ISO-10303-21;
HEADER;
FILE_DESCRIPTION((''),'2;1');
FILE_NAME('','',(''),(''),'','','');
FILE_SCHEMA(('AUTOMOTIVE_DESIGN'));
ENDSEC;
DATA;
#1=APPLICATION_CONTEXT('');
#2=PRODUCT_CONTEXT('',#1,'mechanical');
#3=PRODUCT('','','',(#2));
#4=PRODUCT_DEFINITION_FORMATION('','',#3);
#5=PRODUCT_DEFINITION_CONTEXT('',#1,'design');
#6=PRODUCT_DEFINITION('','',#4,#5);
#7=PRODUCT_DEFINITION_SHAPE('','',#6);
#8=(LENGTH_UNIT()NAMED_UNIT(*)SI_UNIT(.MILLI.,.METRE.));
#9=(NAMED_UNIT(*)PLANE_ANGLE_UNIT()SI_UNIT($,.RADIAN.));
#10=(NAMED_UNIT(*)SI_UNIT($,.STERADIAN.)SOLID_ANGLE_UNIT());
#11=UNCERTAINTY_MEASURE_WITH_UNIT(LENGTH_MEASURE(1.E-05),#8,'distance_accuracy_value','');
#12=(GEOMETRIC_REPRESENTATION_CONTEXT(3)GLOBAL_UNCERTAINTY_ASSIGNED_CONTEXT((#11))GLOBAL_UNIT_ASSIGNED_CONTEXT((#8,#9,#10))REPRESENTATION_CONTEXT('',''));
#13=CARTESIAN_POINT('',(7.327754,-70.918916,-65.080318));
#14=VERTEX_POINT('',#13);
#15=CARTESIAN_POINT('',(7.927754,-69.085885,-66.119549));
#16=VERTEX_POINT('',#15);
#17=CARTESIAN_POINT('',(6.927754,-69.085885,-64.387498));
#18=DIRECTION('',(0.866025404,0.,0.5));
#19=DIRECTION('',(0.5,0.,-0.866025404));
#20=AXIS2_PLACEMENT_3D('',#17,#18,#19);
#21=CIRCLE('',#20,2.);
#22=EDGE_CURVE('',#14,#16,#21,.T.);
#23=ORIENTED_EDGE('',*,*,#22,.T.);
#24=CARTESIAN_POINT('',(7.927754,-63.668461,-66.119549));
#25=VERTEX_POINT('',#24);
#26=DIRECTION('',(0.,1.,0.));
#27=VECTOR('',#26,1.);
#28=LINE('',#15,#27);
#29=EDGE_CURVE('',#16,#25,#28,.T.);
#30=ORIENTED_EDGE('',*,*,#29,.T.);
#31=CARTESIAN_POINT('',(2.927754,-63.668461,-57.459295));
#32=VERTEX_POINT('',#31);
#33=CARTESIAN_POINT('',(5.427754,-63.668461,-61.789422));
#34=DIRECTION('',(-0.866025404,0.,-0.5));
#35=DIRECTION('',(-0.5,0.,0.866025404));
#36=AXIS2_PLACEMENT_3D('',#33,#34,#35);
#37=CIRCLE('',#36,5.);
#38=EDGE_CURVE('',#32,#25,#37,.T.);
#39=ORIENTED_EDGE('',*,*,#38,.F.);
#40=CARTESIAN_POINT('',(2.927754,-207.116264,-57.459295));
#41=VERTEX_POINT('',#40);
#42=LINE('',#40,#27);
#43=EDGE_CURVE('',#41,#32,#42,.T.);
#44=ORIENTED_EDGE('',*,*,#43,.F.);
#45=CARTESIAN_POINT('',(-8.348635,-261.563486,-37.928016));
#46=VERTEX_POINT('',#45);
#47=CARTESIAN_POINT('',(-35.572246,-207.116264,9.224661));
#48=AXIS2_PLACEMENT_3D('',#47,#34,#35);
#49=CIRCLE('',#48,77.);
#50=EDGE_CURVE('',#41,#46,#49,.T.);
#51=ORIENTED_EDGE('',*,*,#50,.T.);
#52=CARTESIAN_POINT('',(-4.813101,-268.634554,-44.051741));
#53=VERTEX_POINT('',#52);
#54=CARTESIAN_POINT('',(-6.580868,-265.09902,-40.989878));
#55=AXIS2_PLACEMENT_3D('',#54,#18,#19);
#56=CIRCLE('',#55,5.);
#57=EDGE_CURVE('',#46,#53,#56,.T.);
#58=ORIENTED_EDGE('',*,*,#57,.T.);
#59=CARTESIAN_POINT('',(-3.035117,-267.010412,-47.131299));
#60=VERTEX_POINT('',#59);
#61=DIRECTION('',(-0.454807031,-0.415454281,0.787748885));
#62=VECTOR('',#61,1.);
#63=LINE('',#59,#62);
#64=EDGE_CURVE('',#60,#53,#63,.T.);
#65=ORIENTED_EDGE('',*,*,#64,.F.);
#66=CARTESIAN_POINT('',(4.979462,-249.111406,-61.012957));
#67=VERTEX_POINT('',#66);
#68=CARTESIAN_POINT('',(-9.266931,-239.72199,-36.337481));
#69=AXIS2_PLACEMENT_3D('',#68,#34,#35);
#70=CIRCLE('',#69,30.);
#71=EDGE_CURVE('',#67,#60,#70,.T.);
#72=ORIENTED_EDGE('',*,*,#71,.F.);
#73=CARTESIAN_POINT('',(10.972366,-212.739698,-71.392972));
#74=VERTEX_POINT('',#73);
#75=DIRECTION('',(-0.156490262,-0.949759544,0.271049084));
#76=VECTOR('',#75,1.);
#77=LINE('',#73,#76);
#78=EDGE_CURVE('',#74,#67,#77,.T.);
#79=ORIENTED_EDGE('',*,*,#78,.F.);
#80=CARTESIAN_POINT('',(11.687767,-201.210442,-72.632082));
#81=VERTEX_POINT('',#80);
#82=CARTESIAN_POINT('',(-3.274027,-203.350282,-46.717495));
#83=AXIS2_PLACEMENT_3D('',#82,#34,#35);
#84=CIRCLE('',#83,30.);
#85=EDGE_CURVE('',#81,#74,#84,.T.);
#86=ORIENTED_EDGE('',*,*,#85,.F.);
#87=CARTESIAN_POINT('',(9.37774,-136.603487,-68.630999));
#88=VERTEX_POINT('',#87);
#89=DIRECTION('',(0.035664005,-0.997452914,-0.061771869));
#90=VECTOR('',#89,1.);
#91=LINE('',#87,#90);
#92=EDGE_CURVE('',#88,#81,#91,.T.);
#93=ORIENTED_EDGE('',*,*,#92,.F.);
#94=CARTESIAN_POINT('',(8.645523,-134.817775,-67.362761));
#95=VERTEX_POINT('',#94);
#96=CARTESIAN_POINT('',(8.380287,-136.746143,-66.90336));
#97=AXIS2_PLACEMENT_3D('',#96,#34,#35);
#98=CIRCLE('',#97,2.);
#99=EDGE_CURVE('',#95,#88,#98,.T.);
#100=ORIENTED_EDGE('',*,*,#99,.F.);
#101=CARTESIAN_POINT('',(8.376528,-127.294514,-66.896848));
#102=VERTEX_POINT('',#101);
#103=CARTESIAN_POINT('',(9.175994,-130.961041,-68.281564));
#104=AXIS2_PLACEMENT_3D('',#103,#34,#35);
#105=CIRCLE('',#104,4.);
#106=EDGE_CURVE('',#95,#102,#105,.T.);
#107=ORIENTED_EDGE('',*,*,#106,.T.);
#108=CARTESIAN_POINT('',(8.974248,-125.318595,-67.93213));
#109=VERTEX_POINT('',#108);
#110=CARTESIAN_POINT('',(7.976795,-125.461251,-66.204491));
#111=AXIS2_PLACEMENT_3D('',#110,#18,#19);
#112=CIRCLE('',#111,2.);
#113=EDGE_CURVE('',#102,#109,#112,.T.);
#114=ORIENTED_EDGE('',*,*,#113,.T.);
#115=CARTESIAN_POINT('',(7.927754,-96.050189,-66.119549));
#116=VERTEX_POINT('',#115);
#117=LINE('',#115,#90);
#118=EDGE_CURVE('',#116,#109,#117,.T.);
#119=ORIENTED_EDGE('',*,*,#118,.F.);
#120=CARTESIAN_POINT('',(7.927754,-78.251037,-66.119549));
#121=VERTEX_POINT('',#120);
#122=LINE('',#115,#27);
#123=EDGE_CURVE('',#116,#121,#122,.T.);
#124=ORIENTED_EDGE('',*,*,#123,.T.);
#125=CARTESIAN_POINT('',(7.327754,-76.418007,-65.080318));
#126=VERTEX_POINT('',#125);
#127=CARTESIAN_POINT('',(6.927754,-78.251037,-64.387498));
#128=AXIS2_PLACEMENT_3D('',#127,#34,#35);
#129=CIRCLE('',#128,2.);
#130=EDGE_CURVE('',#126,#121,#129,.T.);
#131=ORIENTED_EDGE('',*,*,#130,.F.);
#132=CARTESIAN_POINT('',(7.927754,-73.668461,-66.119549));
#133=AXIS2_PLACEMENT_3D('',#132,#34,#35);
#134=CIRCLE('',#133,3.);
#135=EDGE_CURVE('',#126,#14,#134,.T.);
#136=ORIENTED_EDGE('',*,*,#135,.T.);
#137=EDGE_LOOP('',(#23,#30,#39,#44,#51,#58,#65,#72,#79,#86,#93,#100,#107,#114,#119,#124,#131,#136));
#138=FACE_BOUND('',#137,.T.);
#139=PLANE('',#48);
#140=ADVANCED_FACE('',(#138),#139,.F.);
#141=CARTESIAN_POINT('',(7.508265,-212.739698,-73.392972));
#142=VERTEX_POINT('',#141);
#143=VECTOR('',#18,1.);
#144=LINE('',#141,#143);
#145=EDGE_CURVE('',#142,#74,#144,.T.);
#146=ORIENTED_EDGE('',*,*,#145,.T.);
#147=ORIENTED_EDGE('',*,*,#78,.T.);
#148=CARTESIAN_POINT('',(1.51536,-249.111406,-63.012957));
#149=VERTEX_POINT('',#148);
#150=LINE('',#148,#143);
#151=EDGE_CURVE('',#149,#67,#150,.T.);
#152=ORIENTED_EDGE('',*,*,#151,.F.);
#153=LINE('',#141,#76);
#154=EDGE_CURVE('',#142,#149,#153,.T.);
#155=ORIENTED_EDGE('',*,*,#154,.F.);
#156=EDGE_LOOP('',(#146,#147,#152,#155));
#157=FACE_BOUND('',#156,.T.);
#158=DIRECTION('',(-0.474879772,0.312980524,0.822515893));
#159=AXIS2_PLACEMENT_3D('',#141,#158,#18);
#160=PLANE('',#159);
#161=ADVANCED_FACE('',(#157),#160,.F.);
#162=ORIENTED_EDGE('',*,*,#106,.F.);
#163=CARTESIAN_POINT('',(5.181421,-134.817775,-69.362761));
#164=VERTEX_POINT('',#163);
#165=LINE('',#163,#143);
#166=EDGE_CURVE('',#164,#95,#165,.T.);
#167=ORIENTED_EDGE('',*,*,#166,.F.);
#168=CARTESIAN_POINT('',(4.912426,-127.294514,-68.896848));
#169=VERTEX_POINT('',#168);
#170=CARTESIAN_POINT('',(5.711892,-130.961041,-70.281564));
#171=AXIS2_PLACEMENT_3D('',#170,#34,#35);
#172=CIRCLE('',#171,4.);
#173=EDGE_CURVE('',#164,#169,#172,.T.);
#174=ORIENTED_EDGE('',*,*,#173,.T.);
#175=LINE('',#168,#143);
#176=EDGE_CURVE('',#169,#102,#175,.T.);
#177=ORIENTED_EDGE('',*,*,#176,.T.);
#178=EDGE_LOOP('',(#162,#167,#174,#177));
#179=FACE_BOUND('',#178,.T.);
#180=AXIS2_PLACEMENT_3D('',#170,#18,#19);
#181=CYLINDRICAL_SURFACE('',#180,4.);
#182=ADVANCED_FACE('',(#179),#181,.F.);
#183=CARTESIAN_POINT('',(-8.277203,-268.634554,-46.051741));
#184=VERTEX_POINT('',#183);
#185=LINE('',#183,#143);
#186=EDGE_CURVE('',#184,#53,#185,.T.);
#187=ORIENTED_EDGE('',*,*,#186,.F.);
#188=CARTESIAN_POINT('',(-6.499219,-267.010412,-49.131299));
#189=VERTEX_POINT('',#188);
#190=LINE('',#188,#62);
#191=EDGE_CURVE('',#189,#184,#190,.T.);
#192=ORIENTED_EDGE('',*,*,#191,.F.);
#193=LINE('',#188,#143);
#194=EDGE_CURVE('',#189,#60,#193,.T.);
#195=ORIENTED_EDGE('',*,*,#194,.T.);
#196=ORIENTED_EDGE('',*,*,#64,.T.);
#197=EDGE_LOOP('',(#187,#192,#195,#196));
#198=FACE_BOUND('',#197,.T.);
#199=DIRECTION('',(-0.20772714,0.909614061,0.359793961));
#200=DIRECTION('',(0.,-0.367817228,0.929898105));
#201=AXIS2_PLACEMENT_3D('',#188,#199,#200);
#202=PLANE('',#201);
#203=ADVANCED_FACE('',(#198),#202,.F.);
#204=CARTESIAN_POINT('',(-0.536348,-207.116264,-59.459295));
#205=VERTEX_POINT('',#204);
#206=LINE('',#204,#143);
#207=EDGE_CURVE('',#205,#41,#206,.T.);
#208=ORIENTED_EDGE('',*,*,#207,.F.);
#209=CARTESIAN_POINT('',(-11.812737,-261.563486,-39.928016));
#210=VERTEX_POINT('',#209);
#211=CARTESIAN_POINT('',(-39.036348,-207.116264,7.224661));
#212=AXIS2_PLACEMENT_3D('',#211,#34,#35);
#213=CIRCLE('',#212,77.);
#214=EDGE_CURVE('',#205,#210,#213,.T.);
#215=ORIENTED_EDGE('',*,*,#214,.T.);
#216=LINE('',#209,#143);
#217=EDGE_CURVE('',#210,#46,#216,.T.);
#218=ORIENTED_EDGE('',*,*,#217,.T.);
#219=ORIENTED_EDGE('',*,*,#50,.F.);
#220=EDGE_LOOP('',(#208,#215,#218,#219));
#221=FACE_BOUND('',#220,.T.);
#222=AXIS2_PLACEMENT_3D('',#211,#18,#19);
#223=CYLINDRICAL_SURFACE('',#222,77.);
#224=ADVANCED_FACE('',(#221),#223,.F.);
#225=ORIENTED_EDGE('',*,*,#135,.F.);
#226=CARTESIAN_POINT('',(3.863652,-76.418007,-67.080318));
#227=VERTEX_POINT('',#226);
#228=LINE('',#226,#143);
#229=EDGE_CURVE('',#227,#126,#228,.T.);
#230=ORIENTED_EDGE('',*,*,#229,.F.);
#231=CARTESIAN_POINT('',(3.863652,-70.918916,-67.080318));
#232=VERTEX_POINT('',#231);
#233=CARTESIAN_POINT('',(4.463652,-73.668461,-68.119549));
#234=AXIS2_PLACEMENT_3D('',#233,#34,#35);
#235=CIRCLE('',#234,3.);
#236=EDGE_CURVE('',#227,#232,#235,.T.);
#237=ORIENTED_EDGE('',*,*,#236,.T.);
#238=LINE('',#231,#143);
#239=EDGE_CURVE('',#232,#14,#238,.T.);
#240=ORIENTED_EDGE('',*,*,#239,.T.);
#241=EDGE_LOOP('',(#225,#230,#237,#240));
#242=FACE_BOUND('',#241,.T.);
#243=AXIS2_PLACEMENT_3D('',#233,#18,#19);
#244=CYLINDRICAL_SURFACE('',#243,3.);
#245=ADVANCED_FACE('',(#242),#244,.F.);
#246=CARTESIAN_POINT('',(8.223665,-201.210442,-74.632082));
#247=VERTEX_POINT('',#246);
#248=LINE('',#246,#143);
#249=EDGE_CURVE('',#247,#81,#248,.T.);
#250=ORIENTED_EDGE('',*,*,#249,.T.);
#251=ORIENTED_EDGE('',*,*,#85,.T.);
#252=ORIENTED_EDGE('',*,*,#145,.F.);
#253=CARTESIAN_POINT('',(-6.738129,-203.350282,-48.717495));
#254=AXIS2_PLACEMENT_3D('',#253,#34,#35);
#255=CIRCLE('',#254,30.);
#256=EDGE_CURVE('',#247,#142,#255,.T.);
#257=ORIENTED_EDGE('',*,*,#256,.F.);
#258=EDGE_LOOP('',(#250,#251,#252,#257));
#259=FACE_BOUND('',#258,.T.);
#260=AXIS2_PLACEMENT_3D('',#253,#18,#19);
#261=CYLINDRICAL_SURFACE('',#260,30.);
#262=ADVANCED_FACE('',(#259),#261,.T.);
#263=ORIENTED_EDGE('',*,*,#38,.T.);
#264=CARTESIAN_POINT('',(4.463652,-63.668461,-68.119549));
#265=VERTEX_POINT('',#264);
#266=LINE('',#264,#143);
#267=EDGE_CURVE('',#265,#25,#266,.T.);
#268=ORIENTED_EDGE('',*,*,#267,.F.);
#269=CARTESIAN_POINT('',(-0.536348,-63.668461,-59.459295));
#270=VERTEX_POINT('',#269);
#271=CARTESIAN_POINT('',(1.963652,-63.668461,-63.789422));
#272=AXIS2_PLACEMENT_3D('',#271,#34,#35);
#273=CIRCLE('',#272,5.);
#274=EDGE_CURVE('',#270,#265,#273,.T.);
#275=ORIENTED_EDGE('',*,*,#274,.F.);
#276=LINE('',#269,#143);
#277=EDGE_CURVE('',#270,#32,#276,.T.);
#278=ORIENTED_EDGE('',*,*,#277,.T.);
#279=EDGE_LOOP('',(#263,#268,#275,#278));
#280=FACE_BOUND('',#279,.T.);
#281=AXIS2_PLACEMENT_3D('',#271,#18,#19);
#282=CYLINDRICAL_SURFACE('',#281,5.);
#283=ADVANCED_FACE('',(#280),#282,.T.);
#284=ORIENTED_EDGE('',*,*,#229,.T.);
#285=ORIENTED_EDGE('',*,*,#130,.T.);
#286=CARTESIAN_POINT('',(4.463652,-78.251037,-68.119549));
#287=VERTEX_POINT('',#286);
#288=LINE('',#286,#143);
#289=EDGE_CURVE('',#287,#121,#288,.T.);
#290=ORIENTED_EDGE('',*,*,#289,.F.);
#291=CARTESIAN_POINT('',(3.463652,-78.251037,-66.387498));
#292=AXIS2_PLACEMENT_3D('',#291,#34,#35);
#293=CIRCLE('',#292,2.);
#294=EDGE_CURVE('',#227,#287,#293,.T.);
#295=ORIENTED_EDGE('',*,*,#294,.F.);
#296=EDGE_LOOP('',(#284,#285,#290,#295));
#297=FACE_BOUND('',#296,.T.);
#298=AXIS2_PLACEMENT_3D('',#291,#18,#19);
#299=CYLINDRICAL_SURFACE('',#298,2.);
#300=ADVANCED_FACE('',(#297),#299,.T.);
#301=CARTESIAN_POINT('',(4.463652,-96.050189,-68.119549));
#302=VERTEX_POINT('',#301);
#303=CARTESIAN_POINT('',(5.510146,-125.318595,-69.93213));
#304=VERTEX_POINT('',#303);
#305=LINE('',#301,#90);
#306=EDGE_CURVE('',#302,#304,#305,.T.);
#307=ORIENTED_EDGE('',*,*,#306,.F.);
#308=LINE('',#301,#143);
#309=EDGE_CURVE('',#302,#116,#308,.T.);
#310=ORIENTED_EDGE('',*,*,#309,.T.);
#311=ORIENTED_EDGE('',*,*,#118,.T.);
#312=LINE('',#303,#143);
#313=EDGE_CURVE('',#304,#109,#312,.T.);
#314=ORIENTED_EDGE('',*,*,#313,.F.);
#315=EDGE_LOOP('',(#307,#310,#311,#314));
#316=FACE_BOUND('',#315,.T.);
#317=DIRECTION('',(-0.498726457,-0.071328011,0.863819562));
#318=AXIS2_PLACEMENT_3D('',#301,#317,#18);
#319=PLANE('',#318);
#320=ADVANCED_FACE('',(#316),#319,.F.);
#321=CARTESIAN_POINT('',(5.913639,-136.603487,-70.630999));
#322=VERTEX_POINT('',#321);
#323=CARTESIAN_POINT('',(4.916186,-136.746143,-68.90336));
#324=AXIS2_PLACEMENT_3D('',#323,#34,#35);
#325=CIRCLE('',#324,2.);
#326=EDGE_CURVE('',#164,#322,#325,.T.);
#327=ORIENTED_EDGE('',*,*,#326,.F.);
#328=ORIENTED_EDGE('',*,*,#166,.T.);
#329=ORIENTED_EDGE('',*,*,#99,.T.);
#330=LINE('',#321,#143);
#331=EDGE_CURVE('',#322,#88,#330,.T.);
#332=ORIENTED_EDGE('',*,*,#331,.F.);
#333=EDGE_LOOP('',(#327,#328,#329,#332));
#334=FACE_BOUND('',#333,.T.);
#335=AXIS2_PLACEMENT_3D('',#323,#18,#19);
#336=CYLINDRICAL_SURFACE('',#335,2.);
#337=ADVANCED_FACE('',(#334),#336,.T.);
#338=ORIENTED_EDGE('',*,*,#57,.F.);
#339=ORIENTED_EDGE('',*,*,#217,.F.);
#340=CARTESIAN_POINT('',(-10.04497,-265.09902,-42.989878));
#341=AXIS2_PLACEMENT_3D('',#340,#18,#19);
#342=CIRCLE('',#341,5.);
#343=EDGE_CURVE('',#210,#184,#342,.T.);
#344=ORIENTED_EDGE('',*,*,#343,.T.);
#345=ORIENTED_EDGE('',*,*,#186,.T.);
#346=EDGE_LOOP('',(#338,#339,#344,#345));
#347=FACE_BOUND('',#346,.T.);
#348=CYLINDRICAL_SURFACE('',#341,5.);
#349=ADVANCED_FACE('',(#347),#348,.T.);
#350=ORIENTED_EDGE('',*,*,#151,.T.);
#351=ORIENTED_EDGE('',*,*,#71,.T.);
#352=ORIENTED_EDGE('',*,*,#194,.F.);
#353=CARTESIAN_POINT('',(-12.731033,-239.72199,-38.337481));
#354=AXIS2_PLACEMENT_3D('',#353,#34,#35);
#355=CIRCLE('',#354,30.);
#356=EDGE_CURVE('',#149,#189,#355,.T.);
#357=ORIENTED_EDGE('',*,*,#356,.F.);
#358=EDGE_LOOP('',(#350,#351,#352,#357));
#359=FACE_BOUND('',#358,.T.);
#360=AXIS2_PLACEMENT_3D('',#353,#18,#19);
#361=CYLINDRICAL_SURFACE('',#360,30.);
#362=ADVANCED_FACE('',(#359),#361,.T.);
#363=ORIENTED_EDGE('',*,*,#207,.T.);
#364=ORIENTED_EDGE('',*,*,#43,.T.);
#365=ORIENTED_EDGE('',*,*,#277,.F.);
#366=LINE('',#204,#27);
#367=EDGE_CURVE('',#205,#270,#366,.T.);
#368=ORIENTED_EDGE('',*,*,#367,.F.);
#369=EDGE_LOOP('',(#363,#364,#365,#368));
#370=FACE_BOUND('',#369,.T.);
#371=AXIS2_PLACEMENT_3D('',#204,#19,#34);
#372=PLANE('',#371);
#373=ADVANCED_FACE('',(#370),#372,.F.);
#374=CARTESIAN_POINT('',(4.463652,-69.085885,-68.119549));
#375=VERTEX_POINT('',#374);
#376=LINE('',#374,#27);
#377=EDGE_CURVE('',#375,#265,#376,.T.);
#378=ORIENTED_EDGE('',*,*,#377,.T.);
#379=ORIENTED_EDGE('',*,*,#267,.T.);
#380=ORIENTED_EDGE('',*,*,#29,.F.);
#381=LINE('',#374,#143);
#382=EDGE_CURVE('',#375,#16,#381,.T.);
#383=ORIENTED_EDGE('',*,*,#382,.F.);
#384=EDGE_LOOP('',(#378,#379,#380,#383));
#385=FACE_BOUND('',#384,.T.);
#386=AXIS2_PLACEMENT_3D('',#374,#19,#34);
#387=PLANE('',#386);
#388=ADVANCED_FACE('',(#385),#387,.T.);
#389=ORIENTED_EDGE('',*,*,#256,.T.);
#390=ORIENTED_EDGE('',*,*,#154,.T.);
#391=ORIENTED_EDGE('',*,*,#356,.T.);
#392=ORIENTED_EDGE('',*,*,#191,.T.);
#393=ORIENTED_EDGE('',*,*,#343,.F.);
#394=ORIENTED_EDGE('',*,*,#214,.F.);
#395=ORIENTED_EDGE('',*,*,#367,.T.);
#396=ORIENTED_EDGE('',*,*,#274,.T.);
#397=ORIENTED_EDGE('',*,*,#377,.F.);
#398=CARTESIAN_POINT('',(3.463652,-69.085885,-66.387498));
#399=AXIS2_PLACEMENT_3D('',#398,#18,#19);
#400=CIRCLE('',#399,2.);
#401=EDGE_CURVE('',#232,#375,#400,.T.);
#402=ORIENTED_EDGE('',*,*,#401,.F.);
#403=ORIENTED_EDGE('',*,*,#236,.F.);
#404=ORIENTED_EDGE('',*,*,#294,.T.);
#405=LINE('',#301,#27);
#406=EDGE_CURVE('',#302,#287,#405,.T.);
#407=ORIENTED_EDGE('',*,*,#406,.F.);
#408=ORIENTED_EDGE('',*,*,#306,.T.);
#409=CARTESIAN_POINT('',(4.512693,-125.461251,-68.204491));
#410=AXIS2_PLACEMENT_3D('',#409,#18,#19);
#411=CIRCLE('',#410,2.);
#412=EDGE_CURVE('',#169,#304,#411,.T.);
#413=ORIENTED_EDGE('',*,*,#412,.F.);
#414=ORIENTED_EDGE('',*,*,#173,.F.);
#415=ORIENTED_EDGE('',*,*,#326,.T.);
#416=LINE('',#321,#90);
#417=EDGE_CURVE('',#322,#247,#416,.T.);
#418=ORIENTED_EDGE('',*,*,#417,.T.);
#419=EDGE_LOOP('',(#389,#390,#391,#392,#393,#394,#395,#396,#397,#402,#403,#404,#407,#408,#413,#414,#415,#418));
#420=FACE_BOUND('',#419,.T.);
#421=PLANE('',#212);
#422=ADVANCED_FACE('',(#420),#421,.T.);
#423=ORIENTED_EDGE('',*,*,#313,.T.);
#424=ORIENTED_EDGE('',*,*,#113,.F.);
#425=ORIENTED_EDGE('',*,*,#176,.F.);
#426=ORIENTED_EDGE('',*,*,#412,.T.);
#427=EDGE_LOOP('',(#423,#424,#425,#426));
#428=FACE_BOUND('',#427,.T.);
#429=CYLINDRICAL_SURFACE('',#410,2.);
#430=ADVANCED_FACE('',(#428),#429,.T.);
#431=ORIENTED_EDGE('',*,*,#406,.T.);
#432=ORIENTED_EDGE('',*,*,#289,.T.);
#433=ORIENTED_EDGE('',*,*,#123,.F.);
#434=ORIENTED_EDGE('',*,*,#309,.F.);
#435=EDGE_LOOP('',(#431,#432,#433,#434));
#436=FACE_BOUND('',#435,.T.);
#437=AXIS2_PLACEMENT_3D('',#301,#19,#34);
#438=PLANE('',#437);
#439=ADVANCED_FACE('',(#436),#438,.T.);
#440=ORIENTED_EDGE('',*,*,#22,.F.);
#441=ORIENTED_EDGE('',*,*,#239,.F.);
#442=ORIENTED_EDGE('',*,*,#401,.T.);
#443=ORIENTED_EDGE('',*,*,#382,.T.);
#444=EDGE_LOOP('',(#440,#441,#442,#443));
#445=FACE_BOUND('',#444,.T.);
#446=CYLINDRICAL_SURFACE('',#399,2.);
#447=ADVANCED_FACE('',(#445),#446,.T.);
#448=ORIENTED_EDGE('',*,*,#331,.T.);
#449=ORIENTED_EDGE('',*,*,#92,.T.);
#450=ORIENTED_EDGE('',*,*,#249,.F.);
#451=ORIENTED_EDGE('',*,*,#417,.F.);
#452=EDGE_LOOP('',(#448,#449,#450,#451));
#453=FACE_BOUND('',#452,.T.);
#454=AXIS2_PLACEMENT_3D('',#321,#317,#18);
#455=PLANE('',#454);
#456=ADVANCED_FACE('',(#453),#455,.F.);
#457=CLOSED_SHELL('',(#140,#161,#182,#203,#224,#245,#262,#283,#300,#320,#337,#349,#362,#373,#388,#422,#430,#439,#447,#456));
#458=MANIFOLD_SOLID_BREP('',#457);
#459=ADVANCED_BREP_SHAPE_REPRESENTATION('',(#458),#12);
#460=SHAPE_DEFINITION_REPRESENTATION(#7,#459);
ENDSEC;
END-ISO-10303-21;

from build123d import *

# Parameters (mm, degrees)
BOSS_EXTRUDE1_DEPTH = 4


with BuildPart() as part:
    # Sketch1 → Boss-Extrude1 (new body)
    with BuildSketch(Plane(origin=(-22.684789061, 0, -13.097069071), x_dir=(-0.5, 0, 0.866025404), z_dir=(-0.866025404, 0, -0.5))):
        with BuildLine():
            Line((-51.22508588, -207.116263928), (-51.22508588, -63.668461088))
            ThreePointArc((-51.22508588, -63.668461088), (-56.22508588, -58.668461088), (-61.22508588, -63.668461088))
            Line((-61.22508588, -63.668461088), (-61.22508588, -69.085885393))
            ThreePointArc((-61.22508588, -69.085885393), (-60.898405933, -70.181330508), (-60.02508588, -70.918915671))
            ThreePointArc((-60.02508588, -70.918915671), (-58.22508588, -73.668461088), (-60.02508588, -76.418006505))
            ThreePointArc((-60.02508588, -76.418006505), (-60.898405933, -77.155591668), (-61.22508588, -78.251036783))
            Line((-61.22508588, -78.251036783), (-61.22508588, -96.050188948))
            Line((-61.22508588, -96.050188948), (-63.318074095, -125.318595172))
            ThreePointArc((-63.318074095, -125.318595172), (-63.034364548, -126.496532456), (-62.122634264, -127.294514437))
            ThreePointArc((-62.122634264, -127.294514437), (-59.731754601, -131.246352968), (-62.660623811, -134.817775441))
            ThreePointArc((-62.660623811, -134.817775441), (-63.676623884, -135.477905129), (-64.125058417, -136.603486678))
            Line((-64.125058417, -136.603486678), (-68.745111695, -201.210442006))
            ThreePointArc((-68.745111695, -201.210442006), (-68.593140236, -207.044992568), (-67.314310613, -212.739698038))
            Line((-67.314310613, -212.739698038), (-55.328501922, -249.111405981))
            ThreePointArc((-55.328501922, -249.111405981), (-49.184106644, -259.735720996), (-39.299344022, -267.010412109))
            Line((-39.299344022, -267.010412109), (-35.743375843, -268.634553892))
            ThreePointArc((-35.743375843, -268.634553892), (-28.672308031, -268.634553892), (-28.672308031, -261.56348608))
            ThreePointArc((-28.672308031, -261.56348608), (-45.363809883, -236.582888221), (-51.22508588, -207.116263928))
        make_face()
    extrude(amount=BOSS_EXTRUDE1_DEPTH)


solid = part.part
